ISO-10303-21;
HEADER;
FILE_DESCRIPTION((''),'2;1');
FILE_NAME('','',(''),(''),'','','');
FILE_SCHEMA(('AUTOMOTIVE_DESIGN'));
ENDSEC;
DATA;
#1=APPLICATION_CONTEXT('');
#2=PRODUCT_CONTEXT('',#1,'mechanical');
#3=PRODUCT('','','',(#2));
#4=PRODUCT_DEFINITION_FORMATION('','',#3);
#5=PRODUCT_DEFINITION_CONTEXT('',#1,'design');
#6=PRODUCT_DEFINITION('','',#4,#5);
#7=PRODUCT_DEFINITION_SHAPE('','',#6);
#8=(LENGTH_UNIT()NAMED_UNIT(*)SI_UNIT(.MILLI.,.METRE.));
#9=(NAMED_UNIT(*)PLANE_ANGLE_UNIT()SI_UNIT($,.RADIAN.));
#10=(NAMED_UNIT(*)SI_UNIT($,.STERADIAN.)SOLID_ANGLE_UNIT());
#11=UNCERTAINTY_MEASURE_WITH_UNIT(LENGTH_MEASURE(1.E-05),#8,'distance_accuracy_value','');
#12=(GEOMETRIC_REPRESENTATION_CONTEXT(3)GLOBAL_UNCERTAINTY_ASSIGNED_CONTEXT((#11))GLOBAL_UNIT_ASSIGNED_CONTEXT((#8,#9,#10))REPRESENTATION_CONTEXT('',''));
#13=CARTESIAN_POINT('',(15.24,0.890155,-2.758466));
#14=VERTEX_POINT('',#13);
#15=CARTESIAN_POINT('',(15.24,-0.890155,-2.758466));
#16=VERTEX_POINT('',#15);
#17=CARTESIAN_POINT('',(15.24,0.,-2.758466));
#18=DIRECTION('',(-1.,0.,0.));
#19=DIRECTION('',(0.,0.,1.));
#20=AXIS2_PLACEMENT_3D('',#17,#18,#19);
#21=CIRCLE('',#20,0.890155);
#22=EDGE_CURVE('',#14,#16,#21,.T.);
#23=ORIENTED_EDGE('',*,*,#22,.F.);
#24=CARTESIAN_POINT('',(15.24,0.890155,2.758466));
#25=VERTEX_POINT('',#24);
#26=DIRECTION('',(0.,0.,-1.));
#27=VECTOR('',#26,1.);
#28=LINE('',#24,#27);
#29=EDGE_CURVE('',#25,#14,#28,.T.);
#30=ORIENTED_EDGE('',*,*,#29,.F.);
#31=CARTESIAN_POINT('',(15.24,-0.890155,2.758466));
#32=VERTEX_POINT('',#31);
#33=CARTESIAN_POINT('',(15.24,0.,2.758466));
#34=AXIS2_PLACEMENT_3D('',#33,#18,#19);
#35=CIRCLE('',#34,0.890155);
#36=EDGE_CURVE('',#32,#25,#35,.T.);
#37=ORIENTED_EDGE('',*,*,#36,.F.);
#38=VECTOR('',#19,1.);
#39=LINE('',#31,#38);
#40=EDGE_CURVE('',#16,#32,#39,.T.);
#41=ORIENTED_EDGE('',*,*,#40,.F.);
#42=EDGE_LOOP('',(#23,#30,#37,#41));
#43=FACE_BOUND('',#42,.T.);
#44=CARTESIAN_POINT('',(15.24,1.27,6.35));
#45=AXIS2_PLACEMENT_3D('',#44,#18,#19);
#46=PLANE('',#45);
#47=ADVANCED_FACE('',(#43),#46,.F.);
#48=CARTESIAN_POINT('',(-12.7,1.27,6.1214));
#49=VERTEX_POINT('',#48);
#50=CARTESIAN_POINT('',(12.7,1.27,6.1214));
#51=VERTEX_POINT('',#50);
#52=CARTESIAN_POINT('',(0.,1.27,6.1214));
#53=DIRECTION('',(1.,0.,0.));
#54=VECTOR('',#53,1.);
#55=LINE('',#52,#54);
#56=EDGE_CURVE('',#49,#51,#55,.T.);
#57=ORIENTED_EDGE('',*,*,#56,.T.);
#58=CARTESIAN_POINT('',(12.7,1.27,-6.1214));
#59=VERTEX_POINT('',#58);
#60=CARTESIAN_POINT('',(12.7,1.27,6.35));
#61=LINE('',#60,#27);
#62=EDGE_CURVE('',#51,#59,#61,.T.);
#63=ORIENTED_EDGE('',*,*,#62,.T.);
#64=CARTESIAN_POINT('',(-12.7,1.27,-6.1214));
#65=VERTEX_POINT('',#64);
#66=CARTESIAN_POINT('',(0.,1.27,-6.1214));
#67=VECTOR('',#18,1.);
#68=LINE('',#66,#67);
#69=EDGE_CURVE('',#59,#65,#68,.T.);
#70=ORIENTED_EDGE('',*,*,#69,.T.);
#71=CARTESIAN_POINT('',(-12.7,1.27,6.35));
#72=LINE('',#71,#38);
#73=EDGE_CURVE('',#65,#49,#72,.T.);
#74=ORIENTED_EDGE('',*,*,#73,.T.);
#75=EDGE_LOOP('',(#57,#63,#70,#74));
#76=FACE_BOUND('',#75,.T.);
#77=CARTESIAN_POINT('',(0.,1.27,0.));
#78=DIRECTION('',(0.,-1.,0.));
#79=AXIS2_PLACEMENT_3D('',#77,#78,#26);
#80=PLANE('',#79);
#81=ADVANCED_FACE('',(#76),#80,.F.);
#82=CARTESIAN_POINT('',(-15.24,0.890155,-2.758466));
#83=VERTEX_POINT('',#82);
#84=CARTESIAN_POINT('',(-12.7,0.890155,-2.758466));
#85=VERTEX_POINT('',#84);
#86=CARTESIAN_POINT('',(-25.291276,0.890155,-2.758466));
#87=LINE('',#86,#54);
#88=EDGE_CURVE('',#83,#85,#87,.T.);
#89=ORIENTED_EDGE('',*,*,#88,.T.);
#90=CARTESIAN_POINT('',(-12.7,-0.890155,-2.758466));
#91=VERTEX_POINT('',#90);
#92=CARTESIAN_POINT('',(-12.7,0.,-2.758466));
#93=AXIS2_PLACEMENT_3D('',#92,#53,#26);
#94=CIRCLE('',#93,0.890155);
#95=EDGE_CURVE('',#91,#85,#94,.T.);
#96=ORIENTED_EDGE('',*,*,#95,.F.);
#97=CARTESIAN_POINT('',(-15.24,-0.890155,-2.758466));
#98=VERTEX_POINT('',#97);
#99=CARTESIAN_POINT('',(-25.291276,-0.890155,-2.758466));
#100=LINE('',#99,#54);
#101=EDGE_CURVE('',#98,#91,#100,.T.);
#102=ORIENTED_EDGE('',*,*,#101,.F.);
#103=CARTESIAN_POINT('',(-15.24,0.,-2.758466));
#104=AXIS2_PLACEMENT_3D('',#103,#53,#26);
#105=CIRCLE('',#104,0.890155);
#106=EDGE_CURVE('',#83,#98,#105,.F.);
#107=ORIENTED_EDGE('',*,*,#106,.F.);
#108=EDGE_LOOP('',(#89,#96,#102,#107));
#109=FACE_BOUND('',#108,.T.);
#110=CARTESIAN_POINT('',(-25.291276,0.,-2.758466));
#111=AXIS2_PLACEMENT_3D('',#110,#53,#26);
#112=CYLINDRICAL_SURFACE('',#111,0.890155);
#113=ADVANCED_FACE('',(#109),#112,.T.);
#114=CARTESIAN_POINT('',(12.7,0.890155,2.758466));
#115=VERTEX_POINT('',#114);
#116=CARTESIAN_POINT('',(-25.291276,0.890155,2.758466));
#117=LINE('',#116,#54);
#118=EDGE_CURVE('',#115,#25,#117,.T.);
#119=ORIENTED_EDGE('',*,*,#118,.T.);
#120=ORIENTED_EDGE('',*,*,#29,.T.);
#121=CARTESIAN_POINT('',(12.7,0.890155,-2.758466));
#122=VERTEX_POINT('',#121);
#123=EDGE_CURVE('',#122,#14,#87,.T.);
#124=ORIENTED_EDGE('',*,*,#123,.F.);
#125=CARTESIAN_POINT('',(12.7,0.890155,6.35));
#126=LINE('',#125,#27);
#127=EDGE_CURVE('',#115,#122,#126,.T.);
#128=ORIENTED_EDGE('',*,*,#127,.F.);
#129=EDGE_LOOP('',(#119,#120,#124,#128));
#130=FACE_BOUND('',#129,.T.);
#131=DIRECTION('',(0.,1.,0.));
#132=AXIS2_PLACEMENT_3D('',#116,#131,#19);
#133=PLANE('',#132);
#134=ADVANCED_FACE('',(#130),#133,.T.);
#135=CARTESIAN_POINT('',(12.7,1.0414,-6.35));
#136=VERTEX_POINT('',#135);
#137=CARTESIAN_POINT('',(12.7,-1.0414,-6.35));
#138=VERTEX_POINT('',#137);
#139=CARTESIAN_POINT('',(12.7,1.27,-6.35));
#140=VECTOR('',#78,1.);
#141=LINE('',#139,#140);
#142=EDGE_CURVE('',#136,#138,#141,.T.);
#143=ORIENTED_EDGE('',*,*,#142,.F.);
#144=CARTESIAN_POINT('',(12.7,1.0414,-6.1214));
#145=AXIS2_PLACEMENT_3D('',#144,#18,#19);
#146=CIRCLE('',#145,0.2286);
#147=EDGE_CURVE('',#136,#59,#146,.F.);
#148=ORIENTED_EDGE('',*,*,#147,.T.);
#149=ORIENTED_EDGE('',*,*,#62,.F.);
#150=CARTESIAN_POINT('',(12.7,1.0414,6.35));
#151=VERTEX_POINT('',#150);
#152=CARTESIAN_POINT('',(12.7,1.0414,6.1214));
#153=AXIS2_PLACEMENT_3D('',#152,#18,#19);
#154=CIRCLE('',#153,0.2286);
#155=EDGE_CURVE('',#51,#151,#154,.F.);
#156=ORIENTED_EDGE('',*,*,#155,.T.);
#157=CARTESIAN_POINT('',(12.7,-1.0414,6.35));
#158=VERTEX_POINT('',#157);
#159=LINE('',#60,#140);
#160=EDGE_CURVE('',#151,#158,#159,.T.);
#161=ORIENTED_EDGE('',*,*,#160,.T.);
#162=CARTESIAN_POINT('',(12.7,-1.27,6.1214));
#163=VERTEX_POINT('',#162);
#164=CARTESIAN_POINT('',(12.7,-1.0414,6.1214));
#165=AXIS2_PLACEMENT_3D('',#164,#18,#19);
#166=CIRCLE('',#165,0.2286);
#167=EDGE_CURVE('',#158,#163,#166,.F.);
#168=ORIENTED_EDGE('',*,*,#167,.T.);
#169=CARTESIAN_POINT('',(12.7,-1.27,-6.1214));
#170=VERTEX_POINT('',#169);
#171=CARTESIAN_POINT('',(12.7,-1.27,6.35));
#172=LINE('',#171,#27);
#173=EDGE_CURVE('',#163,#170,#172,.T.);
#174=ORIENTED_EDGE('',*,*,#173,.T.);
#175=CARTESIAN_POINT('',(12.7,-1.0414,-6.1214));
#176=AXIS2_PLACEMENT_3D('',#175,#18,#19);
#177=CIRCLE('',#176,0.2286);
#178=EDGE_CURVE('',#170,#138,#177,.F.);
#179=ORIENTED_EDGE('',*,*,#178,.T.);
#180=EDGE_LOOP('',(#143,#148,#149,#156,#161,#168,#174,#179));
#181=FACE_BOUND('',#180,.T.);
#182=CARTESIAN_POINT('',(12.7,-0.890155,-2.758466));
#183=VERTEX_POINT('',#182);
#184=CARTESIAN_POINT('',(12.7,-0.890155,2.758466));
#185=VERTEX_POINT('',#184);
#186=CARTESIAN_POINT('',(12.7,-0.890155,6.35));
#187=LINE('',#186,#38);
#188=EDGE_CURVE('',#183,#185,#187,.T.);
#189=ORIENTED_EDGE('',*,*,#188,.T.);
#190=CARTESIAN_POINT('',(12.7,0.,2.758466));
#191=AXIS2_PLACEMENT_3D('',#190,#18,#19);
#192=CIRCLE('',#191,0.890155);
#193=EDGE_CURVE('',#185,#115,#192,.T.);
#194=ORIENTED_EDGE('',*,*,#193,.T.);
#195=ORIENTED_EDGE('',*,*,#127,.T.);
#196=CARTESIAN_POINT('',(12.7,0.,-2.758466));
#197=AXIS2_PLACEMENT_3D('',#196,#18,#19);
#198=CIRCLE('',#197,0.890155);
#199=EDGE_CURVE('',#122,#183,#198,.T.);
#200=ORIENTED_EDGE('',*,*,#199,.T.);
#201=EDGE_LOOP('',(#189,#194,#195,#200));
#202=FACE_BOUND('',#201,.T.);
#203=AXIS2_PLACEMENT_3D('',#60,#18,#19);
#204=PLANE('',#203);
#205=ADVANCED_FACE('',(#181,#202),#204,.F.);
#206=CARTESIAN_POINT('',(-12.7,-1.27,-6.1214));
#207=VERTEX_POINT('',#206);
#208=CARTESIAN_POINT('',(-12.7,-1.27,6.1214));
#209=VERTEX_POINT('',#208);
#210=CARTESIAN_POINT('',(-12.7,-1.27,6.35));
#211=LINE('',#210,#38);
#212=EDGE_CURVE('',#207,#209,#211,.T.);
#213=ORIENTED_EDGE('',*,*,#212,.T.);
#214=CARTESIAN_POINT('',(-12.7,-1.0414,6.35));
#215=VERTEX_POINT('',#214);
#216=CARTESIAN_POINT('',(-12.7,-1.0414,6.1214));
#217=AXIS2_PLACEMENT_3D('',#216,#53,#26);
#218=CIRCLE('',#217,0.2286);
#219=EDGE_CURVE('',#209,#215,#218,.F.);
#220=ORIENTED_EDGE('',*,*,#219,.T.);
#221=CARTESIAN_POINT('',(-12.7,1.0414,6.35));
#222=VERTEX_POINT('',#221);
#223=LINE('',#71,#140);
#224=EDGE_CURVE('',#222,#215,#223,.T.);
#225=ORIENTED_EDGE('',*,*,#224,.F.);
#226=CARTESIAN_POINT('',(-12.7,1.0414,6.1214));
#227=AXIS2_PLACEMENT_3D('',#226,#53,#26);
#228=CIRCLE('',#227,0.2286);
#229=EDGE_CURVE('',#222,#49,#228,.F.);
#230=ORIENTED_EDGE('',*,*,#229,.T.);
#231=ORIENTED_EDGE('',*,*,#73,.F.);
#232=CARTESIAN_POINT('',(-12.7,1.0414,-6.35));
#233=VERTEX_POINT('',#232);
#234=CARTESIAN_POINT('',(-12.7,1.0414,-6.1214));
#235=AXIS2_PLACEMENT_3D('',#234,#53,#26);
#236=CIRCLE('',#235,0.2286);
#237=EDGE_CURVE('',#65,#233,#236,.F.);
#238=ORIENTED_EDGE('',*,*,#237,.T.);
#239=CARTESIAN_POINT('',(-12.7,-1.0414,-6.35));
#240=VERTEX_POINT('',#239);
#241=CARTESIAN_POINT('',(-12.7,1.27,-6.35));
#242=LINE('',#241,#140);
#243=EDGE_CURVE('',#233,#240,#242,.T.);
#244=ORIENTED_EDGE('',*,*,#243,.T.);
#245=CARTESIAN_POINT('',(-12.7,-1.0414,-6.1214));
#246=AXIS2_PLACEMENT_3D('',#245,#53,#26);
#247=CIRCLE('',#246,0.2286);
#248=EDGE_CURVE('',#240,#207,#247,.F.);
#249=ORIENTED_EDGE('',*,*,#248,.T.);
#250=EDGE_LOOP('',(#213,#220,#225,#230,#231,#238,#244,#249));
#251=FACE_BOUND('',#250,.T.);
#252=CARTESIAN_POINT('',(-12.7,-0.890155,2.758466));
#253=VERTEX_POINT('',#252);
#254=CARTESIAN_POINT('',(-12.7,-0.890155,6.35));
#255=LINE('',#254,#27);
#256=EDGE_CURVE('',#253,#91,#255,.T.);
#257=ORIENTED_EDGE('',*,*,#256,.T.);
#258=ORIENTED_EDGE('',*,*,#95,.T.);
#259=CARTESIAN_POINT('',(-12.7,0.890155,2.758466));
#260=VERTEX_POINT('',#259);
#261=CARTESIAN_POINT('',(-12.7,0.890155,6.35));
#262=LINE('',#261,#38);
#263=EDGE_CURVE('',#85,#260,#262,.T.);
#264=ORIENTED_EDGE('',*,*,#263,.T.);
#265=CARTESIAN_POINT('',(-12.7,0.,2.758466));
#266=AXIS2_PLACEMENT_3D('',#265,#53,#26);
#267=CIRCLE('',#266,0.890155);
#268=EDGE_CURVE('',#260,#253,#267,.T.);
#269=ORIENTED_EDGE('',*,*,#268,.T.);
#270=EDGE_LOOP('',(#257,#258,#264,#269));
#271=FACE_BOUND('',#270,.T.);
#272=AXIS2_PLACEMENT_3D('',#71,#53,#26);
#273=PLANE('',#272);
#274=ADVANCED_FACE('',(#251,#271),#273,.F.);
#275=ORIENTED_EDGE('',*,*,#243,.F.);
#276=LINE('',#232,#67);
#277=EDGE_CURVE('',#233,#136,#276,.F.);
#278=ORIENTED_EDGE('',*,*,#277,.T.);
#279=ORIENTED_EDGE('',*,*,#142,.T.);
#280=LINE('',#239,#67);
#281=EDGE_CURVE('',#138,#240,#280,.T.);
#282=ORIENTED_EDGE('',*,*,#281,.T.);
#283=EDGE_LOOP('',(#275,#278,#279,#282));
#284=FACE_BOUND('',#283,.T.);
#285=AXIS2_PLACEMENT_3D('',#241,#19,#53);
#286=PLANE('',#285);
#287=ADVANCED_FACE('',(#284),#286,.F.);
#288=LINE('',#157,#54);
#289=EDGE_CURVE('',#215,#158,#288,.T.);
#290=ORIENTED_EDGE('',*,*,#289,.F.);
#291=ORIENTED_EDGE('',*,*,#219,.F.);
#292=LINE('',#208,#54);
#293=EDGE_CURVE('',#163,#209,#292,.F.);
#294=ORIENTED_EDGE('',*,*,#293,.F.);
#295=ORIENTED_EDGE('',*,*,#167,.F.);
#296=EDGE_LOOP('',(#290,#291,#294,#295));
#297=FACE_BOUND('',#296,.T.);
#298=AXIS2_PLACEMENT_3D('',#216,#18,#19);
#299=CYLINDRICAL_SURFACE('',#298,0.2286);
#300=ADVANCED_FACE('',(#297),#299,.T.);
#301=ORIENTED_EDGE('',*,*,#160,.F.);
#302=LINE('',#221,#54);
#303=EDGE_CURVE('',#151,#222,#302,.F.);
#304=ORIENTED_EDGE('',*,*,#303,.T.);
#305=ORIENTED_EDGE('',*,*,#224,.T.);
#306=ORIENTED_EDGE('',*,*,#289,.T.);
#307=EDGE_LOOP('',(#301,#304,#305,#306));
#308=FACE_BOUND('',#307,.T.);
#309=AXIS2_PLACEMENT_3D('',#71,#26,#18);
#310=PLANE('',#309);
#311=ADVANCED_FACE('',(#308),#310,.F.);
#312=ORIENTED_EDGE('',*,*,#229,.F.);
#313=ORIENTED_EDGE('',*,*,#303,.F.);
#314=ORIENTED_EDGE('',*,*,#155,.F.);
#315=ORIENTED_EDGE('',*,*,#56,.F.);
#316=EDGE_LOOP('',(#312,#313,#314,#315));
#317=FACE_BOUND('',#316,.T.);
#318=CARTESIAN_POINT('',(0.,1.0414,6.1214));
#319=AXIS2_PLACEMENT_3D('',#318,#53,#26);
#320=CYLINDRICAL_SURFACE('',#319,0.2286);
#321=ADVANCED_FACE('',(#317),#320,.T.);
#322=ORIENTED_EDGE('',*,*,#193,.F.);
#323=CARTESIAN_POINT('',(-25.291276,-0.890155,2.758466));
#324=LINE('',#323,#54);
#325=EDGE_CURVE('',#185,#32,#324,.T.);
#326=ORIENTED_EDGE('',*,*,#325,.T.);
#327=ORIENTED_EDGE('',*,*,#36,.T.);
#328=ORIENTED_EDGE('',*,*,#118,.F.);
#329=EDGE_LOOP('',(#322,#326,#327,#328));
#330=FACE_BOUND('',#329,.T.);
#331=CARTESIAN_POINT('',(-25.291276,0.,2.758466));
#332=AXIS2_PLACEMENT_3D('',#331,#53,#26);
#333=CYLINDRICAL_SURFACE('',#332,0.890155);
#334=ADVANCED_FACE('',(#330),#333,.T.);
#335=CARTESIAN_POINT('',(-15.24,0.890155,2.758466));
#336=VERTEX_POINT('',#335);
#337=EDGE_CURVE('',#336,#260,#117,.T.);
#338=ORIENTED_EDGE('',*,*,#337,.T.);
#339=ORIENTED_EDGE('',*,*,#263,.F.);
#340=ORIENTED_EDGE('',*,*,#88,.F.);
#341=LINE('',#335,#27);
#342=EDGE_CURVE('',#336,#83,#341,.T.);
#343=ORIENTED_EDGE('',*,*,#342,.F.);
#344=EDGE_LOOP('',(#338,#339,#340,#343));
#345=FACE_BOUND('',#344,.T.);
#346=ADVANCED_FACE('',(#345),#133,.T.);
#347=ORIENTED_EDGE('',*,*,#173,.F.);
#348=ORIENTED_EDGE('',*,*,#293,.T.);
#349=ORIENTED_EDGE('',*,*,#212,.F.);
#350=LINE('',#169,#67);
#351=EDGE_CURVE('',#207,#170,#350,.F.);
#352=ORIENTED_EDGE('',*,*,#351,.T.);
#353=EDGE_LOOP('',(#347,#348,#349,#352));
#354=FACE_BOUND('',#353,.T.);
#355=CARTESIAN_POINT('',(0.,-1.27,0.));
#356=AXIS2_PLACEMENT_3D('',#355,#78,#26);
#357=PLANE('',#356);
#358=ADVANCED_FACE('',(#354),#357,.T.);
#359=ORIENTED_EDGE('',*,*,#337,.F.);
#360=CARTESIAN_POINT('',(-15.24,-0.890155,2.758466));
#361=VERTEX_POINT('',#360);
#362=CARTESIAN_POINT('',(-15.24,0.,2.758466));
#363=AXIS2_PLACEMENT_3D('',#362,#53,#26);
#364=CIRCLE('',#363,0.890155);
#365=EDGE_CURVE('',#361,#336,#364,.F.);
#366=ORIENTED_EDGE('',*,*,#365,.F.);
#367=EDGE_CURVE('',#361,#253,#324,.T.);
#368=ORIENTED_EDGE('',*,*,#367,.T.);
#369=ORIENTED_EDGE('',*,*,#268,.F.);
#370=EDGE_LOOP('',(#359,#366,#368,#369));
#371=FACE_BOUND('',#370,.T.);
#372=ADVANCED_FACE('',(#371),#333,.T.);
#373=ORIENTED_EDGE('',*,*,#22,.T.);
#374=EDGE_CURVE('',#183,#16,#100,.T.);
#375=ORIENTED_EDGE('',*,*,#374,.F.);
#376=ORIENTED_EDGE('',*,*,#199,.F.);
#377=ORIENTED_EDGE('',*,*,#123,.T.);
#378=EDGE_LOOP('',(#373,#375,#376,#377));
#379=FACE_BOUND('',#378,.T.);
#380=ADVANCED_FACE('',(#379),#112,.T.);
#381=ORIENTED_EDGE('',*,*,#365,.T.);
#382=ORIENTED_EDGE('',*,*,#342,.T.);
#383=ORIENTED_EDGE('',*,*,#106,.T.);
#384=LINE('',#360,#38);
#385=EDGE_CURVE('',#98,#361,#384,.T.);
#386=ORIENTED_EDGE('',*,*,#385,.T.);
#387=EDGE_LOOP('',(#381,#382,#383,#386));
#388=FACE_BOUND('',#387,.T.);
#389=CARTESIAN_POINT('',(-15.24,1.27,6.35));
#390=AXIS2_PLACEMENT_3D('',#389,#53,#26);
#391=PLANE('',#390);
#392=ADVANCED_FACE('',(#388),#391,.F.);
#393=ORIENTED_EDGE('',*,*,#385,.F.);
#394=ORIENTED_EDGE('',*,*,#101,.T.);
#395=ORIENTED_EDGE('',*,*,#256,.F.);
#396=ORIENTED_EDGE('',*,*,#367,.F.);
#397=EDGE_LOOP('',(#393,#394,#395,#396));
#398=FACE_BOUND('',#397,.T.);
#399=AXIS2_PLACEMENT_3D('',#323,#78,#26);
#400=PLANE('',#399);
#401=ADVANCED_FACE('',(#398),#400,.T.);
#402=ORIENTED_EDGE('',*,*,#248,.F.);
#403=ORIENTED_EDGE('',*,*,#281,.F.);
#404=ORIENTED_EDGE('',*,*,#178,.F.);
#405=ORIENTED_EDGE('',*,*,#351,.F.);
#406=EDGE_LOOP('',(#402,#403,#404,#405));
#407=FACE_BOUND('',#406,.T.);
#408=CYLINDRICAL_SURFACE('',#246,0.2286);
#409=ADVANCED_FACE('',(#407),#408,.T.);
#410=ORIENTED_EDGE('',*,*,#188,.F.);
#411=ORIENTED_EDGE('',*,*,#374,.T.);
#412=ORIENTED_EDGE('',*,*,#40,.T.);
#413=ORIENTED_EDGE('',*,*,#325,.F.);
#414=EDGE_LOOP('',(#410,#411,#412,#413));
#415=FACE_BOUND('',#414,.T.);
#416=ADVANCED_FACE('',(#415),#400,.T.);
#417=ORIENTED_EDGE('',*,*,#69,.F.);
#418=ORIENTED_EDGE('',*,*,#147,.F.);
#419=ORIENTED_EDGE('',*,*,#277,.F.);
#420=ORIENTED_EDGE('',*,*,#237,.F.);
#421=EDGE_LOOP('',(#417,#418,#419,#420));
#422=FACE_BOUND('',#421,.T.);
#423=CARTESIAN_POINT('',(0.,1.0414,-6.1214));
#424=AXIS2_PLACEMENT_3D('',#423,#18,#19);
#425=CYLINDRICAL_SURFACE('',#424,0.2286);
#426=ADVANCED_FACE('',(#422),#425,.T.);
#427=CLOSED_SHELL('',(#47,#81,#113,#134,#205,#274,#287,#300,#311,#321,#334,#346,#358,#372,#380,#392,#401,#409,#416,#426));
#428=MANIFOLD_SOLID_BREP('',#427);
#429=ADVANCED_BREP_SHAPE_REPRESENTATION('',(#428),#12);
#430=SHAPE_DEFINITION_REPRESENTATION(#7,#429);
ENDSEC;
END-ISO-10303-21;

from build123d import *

# Parameters (mm, degrees)
SKETCH1_W                = 25.4
SKETCH1_H                = 12.7
BOSS_EXTRUDE1_DEPTH      = 1.27
FILLET1_R                = 0.2286
BOSS_EXTRUDE2_DEPTH      = 15.24
BOSS_EXTRUDE2_DEPTH_BACK = 15.24


with BuildPart() as part:
    # Sketch1 → Boss-Extrude1 (new, symmetric)
    with BuildSketch(Plane(origin=(0, 0, 0), x_dir=(1, 0, 0), z_dir=(0, 1, 0))):
        Rectangle(SKETCH1_W, SKETCH1_H)
    extrude(amount=BOSS_EXTRUDE1_DEPTH, both=True)

    # Fillet1
    fillet1_edges = [part.edges().sort_by_distance(p)[0] for p in [
        (0, 1.27, 6.35),
        (0, -1.27, 6.35),
        (0, -1.27, -6.35),
        (0, 1.27, -6.35),
    ]]
    fillet(fillet1_edges, radius=FILLET1_R)

    # Sketch3 → Boss-Extrude2 (add, two sides: drawn at the far end of the back side and taken through both)
    with BuildSketch(Plane(origin=(0, 0, 0), x_dir=(0, 0, -1), z_dir=(1, 0, 0)).offset(-BOSS_EXTRUDE2_DEPTH_BACK)):
        with BuildLine():
            Line((-2.75846638, 0.890155409), (2.75846638, 0.890155409))
            ThreePointArc((2.75846638, 0.890155409), (3.648621789, 0), (2.75846638, -0.890155409))
            Line((2.75846638, -0.890155409), (-2.75846638, -0.890155409))
            ThreePointArc((-2.75846638, -0.890155409), (-3.648621789, 0), (-2.75846638, 0.890155409))
        make_face()
    extrude(amount=BOSS_EXTRUDE2_DEPTH + BOSS_EXTRUDE2_DEPTH_BACK)


solid = part.part
